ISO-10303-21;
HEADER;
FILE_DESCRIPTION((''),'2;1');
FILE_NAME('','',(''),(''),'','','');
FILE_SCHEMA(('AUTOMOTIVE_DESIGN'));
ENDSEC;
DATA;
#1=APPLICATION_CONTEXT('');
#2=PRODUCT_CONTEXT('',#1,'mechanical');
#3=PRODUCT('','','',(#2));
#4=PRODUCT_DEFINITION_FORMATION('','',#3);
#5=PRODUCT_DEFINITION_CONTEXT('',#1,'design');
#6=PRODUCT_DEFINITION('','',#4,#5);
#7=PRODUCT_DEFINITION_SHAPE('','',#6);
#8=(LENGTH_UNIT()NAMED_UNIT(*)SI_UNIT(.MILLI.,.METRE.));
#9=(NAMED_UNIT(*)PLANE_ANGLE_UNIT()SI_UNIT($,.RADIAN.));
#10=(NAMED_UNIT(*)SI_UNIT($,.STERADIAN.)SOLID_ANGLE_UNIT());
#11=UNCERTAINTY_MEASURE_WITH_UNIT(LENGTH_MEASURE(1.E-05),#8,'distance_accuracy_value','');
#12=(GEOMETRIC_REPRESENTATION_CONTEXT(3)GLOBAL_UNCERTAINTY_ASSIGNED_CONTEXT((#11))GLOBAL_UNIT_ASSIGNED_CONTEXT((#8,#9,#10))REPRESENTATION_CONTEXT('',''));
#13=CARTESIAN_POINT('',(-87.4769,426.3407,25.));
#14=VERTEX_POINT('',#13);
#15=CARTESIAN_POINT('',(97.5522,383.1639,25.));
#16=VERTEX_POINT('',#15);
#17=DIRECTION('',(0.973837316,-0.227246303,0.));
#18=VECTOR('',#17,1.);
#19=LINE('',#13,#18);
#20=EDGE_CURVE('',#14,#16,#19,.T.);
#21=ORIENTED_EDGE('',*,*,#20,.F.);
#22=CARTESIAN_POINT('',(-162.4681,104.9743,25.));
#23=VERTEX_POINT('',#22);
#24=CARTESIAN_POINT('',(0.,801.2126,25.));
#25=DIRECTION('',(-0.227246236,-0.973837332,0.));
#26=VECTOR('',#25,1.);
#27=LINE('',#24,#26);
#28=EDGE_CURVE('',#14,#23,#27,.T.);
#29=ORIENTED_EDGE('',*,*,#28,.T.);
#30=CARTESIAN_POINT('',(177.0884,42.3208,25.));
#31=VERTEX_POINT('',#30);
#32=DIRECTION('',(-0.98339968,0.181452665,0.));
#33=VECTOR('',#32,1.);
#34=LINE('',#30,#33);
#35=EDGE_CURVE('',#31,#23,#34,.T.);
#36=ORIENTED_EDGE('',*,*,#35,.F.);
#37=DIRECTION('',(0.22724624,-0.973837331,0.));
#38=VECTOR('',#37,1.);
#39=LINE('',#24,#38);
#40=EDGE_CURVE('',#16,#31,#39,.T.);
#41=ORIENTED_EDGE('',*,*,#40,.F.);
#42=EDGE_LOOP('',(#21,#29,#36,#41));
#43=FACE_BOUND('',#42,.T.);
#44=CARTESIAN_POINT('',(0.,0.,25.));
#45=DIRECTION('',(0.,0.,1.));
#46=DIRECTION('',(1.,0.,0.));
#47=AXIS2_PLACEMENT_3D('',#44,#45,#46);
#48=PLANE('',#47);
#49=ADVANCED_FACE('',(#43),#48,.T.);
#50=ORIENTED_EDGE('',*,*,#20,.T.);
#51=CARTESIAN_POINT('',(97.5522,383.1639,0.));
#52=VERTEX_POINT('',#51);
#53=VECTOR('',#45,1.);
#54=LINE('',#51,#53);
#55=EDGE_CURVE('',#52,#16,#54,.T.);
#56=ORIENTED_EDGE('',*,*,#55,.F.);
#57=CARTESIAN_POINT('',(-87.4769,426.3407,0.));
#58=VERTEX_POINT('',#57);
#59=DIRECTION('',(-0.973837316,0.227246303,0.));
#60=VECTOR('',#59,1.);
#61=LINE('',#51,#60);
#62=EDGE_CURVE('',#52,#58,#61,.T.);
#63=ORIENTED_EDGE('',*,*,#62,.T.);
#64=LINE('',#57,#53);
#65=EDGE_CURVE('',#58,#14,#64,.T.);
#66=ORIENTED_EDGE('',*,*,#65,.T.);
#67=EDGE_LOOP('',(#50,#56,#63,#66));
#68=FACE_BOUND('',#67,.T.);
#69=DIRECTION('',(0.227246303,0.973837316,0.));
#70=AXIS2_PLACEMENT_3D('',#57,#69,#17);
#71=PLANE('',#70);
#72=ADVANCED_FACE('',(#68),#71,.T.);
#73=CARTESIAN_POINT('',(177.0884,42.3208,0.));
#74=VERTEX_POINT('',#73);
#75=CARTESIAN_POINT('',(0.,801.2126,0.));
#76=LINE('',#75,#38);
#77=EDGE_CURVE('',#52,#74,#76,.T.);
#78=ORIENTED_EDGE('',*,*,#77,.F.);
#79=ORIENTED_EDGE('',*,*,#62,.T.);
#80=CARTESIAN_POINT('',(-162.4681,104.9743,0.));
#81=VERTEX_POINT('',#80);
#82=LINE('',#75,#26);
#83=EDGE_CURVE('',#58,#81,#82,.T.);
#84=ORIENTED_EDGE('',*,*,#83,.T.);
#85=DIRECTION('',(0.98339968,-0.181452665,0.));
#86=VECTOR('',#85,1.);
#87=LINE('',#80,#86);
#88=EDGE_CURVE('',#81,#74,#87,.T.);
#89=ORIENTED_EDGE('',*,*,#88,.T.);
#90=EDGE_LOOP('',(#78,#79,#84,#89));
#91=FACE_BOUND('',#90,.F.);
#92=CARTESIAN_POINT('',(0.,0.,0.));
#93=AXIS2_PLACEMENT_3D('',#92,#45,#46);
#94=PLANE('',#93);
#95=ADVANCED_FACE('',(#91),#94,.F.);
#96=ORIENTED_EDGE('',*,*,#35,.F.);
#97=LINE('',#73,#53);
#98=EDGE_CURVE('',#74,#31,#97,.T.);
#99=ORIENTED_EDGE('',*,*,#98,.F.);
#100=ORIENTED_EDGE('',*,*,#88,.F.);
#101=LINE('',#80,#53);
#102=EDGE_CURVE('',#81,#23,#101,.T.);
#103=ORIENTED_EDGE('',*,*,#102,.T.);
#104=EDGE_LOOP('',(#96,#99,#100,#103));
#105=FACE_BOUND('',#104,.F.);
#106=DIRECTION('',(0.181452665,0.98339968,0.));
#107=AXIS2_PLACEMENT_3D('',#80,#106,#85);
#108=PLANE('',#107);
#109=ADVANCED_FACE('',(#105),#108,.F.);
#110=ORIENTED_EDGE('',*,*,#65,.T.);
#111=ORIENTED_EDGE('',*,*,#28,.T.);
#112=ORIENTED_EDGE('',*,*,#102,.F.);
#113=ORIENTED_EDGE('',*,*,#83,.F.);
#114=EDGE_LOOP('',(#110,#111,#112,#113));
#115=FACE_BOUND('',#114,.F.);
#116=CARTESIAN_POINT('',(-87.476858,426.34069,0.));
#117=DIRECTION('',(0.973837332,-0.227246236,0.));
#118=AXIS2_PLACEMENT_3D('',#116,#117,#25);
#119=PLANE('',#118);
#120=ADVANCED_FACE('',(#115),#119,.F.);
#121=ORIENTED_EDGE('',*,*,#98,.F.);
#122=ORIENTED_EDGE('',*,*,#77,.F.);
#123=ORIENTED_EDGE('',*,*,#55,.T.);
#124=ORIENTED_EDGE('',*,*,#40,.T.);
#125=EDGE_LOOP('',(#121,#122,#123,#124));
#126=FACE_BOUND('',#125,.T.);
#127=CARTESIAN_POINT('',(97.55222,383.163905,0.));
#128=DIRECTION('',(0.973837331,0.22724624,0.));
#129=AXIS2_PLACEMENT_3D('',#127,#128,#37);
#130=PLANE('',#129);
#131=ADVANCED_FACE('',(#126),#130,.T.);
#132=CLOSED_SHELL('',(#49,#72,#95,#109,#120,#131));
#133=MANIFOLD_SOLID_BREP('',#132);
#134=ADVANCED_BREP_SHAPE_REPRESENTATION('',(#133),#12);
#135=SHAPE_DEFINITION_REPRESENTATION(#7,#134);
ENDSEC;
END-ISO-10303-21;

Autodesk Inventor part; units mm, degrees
ref_plane "YZ Plane" through (0, 0, 0) normal (1, 0, 0) x (0, 1, 0)
ref_plane "XZ Plane" through (0, 0, 0) normal (0, 1, 0) x (-1, 0, 0)
ref_plane "XY Plane" through (0, 0, 0) normal (0, 0, 1) x (1, 0, 0)
sketch "Skizze5" plane through (0, 0, 0) normal (0, 0, 1) x (1, 0, 0)
  line L0 (-515.9615, 0) -> (494.3584, 0) projected
  line L1 (0, -1109.8805) -> (0, 1119.7281) projected
  line L2 (0, 801.2126) -> (-371.6301, -791.365)
  line L3 (0, 801.2126) -> (350.027, -698.7874)
  line L4 (-87.4769, 426.3407) -> (97.5522, 383.1639)
  line L5 (97.5522, 383.1639) -> (177.0884, 42.3208)
  line L6 (-87.4769, 426.3407) -> (-162.4681, 104.9743)
  line L7 (-162.4681, 104.9743) -> (177.0884, 42.3208)
  point P0 (0, 0)
  point P1 (0, 401.2126)
  point P2 (-162.4681, 104.9743)
  point P3 (177.0884, 42.3208)
  dimension "d58" = 26.27
  dimension "d59" = 1500
  dimension "d60" = 400
  dimension "d63" = 190
  dimension "d64" = 330
  dimension "d65" = 350
  dimension "d66" = 0
  dimension "d67" = 0
  dimension "d68" = 90
extrude "Extrusion4" add sketch "Skizze5" along normal blind 25 contours L2 L4 L1 L7 | L1 L4 L3 L7
sketch "Skizze6" plane through (0, 0, 25) normal (0, 0, 1) x (1, 0, 0)
  point P0 (0, 0)
properties part number "Seitenverkleidung"
